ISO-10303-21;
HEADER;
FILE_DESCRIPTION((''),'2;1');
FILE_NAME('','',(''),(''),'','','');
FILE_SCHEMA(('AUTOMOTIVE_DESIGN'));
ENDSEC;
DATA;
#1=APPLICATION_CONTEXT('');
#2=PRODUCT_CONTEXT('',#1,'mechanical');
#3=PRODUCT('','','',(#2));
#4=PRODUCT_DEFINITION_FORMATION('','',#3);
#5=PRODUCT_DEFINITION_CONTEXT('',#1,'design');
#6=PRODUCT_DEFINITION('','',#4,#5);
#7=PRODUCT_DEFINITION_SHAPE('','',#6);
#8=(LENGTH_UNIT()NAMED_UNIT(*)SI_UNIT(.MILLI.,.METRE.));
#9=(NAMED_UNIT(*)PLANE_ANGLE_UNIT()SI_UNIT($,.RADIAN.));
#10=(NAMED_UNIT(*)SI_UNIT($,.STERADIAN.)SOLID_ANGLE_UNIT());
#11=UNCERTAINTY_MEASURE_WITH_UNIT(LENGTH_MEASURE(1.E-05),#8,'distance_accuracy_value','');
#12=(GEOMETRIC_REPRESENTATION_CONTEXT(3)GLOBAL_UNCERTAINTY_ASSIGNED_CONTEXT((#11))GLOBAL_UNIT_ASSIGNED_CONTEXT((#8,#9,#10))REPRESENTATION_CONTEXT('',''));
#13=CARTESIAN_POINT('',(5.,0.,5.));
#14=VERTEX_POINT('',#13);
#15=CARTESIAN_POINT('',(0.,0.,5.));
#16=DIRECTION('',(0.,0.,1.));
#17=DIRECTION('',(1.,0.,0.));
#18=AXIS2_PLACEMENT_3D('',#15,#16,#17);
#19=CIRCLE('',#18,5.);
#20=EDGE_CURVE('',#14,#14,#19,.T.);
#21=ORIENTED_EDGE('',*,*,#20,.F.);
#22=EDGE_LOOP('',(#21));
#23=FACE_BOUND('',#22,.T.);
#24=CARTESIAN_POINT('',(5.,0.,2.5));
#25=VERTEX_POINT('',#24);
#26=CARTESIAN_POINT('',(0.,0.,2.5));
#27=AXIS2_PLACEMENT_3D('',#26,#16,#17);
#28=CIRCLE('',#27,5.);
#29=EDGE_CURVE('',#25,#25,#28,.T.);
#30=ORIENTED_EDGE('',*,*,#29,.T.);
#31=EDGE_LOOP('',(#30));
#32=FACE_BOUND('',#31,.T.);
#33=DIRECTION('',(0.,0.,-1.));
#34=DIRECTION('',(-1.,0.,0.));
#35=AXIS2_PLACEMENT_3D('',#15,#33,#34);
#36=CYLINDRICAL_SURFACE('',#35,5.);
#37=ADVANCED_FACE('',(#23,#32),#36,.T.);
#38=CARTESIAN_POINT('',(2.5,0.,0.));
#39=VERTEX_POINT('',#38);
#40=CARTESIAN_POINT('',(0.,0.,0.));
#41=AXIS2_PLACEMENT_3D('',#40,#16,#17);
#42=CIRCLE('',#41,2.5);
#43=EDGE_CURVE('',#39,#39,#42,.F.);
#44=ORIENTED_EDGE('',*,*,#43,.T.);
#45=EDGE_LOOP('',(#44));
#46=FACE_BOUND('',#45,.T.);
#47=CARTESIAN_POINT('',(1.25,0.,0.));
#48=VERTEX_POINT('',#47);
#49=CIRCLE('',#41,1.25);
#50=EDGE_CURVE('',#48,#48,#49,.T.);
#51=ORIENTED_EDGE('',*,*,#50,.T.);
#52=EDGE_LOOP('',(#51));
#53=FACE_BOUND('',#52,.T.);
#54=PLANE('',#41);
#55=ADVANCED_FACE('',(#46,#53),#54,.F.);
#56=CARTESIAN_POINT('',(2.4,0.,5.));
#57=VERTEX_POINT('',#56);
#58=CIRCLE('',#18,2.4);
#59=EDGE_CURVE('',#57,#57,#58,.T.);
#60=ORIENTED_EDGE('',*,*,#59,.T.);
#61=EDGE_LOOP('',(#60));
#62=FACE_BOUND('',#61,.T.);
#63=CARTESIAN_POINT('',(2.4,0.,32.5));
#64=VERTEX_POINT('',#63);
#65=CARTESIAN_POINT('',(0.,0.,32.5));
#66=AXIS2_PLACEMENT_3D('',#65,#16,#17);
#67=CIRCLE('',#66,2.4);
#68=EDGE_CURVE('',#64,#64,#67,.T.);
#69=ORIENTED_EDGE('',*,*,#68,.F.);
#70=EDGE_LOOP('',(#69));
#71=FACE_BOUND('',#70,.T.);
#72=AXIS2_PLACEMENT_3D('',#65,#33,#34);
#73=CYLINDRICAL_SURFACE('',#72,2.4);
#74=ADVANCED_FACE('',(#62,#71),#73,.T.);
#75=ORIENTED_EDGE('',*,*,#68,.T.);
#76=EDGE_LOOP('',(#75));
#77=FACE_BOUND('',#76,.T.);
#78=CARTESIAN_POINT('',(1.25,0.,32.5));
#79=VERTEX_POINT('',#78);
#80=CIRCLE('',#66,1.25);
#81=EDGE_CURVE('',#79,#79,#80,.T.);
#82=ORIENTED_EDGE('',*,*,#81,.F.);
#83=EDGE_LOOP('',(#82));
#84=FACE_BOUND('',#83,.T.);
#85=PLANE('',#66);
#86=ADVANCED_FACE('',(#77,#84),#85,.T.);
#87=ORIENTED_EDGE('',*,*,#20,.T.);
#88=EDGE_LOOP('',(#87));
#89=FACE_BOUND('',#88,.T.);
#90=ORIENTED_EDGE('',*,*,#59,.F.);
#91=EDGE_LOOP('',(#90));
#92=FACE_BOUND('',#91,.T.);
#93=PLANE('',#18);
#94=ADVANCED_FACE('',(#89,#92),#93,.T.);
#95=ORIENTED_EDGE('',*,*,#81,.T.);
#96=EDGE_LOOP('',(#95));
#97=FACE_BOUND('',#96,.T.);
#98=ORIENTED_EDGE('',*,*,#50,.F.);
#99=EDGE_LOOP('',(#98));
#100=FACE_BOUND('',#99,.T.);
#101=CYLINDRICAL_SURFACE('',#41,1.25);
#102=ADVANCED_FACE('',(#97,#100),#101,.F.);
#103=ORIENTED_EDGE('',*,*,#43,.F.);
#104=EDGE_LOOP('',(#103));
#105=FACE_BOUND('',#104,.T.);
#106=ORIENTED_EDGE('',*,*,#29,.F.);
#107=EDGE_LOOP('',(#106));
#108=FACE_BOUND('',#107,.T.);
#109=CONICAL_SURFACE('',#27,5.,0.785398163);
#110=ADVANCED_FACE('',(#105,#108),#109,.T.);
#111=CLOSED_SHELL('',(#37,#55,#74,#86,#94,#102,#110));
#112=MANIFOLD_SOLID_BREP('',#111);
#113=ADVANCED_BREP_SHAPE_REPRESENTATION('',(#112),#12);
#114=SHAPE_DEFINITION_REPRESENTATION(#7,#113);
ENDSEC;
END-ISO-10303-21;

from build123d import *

# Parameters (mm, degrees)
SKETCH1_R           = 5
BOSS_EXTRUDE1_DEPTH = 5
SKETCH2_R           = 2.4
BOSS_EXTRUDE2_DEPTH = 27.5
CHAMFER1_SIZE       = 2.5
SKETCH3_R           = 1.25
CUT_EXTRUDE1_DEPTH  = 34.260336739


with BuildPart() as part:
    # Sketch1 → Boss-Extrude1 (new body)
    with BuildSketch(Plane.XY):
        Circle(SKETCH1_R)
    extrude(amount=BOSS_EXTRUDE1_DEPTH)

    # Sketch2 → Boss-Extrude2 (add)
    with BuildSketch(Plane.XY.offset(5)):
        Circle(SKETCH2_R)
    extrude(amount=BOSS_EXTRUDE2_DEPTH)

    # Chamfer1
    chamfer1_edges = [part.edges().sort_by_distance(p)[0] for p in [
        (-5, 0, 0),
    ]]
    chamfer(chamfer1_edges, length=CHAMFER1_SIZE)

    # Sketch3 → Cut-Extrude1 (cut, through all)
    with BuildSketch(Plane.XY.offset(32.5)):
        Circle(SKETCH3_R)
    extrude(amount=-CUT_EXTRUDE1_DEPTH, mode=Mode.SUBTRACT)


solid = part.part
